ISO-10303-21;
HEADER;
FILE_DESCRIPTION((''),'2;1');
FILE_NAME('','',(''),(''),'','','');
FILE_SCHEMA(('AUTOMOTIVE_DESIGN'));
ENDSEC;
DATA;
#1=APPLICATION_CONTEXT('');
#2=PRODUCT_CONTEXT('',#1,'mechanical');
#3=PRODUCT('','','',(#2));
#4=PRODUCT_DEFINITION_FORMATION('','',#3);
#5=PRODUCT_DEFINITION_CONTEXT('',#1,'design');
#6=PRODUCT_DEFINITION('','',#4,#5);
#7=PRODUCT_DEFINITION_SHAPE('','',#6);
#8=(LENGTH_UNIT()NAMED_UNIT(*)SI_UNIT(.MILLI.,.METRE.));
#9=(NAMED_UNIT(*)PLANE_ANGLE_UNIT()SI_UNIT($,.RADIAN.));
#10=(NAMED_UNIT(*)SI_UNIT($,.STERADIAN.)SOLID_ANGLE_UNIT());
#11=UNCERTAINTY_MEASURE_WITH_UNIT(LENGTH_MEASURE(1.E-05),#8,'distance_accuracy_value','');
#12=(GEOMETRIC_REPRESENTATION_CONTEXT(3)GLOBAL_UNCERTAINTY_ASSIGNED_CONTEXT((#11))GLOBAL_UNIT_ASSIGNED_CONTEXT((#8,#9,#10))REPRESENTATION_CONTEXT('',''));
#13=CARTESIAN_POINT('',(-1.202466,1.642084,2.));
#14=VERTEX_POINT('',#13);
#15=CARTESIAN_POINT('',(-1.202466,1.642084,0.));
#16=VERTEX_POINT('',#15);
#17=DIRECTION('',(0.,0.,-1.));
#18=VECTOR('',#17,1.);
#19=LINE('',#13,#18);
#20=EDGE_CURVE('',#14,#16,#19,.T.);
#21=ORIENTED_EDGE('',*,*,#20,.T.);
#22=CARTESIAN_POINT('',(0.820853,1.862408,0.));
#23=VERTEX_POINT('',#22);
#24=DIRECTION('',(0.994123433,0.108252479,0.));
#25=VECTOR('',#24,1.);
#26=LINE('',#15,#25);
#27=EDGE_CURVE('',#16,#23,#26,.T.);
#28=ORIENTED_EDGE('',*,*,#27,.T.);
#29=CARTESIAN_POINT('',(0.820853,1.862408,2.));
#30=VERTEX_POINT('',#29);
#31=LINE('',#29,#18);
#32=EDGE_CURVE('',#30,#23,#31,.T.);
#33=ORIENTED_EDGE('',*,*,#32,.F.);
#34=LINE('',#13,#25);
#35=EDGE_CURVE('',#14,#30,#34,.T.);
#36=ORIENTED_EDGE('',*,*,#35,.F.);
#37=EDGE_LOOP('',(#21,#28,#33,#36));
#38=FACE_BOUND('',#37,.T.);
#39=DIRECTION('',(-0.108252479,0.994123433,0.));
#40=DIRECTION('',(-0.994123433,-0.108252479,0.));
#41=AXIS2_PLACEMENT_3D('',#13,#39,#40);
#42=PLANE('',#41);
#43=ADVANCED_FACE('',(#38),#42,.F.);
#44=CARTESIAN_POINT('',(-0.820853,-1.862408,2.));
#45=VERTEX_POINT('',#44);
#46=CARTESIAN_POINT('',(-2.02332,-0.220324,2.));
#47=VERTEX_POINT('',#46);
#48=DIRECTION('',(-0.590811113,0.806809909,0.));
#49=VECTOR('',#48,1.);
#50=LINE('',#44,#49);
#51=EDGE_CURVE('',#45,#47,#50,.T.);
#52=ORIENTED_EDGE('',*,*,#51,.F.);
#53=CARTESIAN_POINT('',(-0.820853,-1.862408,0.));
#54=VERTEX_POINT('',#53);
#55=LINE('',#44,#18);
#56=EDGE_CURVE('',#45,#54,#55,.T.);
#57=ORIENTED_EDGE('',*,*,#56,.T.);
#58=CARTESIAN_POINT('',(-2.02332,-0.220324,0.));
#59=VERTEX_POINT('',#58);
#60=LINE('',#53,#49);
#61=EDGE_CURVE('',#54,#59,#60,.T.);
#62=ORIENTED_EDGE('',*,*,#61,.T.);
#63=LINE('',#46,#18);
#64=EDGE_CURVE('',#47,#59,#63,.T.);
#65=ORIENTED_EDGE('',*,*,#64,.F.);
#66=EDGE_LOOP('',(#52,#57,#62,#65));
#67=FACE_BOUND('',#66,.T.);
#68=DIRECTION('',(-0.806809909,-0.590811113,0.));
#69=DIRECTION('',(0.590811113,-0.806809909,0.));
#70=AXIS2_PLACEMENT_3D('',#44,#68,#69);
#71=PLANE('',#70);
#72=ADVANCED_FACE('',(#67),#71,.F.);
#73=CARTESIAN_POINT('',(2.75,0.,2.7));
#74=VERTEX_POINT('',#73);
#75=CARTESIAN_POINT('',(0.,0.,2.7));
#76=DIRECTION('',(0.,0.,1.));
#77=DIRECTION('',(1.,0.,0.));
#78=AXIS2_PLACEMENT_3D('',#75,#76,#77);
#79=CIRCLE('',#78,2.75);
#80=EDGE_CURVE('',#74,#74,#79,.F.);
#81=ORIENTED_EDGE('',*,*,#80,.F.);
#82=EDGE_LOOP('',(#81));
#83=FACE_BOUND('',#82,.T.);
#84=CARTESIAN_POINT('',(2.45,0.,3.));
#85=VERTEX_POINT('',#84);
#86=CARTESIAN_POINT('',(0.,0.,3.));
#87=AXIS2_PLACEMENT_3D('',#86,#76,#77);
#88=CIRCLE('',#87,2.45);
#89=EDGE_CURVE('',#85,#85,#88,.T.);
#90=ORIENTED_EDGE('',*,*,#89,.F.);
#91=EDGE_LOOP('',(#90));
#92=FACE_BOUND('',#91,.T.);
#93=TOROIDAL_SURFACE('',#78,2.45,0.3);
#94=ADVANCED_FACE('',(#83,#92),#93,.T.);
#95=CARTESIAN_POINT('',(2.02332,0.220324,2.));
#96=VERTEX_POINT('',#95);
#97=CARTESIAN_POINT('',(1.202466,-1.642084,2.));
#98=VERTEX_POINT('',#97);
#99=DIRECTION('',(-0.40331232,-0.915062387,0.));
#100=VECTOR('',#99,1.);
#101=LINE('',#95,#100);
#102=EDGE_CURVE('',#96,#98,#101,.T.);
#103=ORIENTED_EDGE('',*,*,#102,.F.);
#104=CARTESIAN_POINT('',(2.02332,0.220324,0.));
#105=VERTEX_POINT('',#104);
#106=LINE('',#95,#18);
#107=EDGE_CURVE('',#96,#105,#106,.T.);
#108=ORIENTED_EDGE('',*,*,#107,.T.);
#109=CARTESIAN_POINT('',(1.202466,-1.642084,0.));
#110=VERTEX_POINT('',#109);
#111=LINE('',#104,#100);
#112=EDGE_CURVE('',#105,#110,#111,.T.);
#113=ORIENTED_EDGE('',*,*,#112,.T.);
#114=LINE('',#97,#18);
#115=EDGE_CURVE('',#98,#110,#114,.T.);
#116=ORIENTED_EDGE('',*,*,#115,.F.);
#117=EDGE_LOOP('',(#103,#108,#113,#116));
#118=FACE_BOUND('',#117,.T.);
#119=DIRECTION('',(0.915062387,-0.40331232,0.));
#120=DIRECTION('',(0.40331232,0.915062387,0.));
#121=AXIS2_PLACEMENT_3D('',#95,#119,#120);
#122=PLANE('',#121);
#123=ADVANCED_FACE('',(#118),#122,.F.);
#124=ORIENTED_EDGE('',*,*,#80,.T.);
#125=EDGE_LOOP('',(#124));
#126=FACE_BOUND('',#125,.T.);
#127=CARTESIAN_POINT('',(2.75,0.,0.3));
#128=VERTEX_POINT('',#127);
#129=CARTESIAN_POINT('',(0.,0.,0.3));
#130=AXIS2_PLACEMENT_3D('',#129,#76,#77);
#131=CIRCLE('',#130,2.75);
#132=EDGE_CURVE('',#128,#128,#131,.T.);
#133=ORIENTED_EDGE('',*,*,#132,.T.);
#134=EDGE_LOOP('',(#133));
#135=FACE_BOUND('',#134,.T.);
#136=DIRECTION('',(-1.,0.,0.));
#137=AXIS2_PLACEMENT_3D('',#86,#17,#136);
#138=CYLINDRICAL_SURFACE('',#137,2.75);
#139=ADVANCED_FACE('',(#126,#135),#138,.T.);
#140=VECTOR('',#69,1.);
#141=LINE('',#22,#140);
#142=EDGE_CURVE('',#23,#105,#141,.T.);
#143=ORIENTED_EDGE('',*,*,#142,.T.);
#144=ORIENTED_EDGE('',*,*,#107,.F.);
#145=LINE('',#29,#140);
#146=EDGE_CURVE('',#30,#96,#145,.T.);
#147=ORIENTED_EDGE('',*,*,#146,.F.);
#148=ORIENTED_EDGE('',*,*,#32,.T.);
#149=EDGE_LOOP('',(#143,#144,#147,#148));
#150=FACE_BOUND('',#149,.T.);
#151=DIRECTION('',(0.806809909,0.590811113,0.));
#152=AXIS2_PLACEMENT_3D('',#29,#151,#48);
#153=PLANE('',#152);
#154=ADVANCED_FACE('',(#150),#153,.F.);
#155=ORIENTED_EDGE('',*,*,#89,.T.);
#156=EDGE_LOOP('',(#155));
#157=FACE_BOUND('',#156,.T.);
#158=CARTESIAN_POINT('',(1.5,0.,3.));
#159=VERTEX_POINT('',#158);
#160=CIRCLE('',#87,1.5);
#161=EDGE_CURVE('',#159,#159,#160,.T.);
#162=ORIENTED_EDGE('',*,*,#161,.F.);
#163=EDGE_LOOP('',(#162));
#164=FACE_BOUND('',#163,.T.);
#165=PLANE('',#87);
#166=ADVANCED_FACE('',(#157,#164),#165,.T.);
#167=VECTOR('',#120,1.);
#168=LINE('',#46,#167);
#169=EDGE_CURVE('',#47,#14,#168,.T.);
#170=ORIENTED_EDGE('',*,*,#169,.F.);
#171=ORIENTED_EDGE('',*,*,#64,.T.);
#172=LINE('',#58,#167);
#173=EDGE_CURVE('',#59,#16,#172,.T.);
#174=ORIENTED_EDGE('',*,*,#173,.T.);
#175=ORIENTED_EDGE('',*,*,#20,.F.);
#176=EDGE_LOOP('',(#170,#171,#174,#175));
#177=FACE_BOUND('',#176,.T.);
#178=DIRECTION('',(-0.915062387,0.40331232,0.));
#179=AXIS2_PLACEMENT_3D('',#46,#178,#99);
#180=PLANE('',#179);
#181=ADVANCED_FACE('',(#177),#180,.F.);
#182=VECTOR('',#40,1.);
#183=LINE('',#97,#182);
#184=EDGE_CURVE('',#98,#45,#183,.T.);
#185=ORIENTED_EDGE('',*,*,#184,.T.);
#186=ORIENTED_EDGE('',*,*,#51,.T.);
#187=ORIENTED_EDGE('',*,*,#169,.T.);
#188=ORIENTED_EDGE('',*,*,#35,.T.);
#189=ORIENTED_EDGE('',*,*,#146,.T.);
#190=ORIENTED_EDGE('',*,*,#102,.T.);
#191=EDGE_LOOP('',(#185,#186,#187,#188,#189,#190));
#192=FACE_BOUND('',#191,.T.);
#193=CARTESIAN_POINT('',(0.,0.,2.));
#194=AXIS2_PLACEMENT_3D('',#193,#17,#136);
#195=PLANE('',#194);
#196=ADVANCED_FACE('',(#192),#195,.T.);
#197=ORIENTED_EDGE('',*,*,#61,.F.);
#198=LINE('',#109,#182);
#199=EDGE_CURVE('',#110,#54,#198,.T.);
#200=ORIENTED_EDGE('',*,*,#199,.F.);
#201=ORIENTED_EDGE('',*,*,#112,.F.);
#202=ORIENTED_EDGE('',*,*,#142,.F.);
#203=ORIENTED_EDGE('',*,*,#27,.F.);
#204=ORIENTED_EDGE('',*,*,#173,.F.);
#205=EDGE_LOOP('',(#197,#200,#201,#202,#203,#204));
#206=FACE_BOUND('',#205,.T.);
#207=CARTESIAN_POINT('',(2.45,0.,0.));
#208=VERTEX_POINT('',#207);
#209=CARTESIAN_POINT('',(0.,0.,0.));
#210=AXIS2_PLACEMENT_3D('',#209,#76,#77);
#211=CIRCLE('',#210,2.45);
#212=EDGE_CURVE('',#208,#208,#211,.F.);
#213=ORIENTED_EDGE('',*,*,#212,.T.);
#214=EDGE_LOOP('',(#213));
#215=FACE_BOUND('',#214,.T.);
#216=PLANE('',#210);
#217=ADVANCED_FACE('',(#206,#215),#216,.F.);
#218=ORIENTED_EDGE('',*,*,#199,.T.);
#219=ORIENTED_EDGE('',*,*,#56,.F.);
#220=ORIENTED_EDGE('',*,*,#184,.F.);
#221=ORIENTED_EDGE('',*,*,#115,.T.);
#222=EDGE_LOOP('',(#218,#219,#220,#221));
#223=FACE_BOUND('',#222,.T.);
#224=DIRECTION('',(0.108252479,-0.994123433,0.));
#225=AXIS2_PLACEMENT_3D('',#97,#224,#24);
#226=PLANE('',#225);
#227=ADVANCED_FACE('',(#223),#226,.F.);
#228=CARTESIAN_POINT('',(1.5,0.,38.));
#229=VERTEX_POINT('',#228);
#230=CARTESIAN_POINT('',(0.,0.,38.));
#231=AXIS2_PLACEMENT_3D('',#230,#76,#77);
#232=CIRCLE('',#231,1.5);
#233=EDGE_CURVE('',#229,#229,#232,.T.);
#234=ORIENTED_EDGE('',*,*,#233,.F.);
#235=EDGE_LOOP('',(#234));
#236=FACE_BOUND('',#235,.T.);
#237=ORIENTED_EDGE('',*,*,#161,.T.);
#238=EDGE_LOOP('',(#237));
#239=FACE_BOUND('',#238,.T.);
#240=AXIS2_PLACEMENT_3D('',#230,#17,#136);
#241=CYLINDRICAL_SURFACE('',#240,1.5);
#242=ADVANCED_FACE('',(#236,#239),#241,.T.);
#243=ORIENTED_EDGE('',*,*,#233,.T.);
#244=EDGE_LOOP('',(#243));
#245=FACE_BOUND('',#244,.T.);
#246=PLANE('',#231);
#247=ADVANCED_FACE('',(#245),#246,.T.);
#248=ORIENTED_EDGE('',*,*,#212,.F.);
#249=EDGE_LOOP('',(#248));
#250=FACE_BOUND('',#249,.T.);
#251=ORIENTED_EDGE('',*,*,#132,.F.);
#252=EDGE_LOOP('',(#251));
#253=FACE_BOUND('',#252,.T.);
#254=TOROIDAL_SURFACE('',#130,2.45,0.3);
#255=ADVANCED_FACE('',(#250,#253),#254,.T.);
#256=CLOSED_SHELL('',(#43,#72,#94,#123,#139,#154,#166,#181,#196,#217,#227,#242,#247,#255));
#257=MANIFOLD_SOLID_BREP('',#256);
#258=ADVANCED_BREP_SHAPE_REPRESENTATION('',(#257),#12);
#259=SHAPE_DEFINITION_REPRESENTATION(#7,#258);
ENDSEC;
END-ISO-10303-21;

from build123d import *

# Parameters (mm, degrees)
SKETCH_1_R          = 2.75
EXTRUDE_1_DEPTH     = 3
SKETCH_2_R          = 1.5
EXTRUDE_2_DEPTH     = 35
FILLET_1_R          = 0.3
CUT_EXTRUDE_1_DEPTH = 2


with BuildPart() as part:
    # 草图1 → 凸台-拉伸1 (new body)
    with BuildSketch(Plane.XY):
        Circle(SKETCH_1_R)
    extrude(amount=EXTRUDE_1_DEPTH)

    # 草图2 → 凸台-拉伸2 (add)
    with BuildSketch(Plane.XY.offset(3)):
        Circle(SKETCH_2_R)
    extrude(amount=EXTRUDE_2_DEPTH)

    # 圆角1
    fillet_1_edges = [part.edges().sort_by_distance(p)[0] for p in [
        (-2.75, 0, 0),
        (-2.75, 0, 3),
    ]]
    fillet(fillet_1_edges, radius=FILLET_1_R)

    # 草图3 → 切除-拉伸1 (cut)
    with BuildSketch(Plane(origin=(0, 0, 0), x_dir=(-1, 0, 0), z_dir=(0, 0, -1))):
        Polygon((-0.820853493, 1.862408161), (-2.023319526, 0.220324103), (-1.202466033, -1.642084058), (0.820853493, -1.862408161), (2.023319526, -0.220324103), (1.202466033, 1.642084058), align=None)
    extrude(amount=-CUT_EXTRUDE_1_DEPTH, mode=Mode.SUBTRACT)


solid = part.part
